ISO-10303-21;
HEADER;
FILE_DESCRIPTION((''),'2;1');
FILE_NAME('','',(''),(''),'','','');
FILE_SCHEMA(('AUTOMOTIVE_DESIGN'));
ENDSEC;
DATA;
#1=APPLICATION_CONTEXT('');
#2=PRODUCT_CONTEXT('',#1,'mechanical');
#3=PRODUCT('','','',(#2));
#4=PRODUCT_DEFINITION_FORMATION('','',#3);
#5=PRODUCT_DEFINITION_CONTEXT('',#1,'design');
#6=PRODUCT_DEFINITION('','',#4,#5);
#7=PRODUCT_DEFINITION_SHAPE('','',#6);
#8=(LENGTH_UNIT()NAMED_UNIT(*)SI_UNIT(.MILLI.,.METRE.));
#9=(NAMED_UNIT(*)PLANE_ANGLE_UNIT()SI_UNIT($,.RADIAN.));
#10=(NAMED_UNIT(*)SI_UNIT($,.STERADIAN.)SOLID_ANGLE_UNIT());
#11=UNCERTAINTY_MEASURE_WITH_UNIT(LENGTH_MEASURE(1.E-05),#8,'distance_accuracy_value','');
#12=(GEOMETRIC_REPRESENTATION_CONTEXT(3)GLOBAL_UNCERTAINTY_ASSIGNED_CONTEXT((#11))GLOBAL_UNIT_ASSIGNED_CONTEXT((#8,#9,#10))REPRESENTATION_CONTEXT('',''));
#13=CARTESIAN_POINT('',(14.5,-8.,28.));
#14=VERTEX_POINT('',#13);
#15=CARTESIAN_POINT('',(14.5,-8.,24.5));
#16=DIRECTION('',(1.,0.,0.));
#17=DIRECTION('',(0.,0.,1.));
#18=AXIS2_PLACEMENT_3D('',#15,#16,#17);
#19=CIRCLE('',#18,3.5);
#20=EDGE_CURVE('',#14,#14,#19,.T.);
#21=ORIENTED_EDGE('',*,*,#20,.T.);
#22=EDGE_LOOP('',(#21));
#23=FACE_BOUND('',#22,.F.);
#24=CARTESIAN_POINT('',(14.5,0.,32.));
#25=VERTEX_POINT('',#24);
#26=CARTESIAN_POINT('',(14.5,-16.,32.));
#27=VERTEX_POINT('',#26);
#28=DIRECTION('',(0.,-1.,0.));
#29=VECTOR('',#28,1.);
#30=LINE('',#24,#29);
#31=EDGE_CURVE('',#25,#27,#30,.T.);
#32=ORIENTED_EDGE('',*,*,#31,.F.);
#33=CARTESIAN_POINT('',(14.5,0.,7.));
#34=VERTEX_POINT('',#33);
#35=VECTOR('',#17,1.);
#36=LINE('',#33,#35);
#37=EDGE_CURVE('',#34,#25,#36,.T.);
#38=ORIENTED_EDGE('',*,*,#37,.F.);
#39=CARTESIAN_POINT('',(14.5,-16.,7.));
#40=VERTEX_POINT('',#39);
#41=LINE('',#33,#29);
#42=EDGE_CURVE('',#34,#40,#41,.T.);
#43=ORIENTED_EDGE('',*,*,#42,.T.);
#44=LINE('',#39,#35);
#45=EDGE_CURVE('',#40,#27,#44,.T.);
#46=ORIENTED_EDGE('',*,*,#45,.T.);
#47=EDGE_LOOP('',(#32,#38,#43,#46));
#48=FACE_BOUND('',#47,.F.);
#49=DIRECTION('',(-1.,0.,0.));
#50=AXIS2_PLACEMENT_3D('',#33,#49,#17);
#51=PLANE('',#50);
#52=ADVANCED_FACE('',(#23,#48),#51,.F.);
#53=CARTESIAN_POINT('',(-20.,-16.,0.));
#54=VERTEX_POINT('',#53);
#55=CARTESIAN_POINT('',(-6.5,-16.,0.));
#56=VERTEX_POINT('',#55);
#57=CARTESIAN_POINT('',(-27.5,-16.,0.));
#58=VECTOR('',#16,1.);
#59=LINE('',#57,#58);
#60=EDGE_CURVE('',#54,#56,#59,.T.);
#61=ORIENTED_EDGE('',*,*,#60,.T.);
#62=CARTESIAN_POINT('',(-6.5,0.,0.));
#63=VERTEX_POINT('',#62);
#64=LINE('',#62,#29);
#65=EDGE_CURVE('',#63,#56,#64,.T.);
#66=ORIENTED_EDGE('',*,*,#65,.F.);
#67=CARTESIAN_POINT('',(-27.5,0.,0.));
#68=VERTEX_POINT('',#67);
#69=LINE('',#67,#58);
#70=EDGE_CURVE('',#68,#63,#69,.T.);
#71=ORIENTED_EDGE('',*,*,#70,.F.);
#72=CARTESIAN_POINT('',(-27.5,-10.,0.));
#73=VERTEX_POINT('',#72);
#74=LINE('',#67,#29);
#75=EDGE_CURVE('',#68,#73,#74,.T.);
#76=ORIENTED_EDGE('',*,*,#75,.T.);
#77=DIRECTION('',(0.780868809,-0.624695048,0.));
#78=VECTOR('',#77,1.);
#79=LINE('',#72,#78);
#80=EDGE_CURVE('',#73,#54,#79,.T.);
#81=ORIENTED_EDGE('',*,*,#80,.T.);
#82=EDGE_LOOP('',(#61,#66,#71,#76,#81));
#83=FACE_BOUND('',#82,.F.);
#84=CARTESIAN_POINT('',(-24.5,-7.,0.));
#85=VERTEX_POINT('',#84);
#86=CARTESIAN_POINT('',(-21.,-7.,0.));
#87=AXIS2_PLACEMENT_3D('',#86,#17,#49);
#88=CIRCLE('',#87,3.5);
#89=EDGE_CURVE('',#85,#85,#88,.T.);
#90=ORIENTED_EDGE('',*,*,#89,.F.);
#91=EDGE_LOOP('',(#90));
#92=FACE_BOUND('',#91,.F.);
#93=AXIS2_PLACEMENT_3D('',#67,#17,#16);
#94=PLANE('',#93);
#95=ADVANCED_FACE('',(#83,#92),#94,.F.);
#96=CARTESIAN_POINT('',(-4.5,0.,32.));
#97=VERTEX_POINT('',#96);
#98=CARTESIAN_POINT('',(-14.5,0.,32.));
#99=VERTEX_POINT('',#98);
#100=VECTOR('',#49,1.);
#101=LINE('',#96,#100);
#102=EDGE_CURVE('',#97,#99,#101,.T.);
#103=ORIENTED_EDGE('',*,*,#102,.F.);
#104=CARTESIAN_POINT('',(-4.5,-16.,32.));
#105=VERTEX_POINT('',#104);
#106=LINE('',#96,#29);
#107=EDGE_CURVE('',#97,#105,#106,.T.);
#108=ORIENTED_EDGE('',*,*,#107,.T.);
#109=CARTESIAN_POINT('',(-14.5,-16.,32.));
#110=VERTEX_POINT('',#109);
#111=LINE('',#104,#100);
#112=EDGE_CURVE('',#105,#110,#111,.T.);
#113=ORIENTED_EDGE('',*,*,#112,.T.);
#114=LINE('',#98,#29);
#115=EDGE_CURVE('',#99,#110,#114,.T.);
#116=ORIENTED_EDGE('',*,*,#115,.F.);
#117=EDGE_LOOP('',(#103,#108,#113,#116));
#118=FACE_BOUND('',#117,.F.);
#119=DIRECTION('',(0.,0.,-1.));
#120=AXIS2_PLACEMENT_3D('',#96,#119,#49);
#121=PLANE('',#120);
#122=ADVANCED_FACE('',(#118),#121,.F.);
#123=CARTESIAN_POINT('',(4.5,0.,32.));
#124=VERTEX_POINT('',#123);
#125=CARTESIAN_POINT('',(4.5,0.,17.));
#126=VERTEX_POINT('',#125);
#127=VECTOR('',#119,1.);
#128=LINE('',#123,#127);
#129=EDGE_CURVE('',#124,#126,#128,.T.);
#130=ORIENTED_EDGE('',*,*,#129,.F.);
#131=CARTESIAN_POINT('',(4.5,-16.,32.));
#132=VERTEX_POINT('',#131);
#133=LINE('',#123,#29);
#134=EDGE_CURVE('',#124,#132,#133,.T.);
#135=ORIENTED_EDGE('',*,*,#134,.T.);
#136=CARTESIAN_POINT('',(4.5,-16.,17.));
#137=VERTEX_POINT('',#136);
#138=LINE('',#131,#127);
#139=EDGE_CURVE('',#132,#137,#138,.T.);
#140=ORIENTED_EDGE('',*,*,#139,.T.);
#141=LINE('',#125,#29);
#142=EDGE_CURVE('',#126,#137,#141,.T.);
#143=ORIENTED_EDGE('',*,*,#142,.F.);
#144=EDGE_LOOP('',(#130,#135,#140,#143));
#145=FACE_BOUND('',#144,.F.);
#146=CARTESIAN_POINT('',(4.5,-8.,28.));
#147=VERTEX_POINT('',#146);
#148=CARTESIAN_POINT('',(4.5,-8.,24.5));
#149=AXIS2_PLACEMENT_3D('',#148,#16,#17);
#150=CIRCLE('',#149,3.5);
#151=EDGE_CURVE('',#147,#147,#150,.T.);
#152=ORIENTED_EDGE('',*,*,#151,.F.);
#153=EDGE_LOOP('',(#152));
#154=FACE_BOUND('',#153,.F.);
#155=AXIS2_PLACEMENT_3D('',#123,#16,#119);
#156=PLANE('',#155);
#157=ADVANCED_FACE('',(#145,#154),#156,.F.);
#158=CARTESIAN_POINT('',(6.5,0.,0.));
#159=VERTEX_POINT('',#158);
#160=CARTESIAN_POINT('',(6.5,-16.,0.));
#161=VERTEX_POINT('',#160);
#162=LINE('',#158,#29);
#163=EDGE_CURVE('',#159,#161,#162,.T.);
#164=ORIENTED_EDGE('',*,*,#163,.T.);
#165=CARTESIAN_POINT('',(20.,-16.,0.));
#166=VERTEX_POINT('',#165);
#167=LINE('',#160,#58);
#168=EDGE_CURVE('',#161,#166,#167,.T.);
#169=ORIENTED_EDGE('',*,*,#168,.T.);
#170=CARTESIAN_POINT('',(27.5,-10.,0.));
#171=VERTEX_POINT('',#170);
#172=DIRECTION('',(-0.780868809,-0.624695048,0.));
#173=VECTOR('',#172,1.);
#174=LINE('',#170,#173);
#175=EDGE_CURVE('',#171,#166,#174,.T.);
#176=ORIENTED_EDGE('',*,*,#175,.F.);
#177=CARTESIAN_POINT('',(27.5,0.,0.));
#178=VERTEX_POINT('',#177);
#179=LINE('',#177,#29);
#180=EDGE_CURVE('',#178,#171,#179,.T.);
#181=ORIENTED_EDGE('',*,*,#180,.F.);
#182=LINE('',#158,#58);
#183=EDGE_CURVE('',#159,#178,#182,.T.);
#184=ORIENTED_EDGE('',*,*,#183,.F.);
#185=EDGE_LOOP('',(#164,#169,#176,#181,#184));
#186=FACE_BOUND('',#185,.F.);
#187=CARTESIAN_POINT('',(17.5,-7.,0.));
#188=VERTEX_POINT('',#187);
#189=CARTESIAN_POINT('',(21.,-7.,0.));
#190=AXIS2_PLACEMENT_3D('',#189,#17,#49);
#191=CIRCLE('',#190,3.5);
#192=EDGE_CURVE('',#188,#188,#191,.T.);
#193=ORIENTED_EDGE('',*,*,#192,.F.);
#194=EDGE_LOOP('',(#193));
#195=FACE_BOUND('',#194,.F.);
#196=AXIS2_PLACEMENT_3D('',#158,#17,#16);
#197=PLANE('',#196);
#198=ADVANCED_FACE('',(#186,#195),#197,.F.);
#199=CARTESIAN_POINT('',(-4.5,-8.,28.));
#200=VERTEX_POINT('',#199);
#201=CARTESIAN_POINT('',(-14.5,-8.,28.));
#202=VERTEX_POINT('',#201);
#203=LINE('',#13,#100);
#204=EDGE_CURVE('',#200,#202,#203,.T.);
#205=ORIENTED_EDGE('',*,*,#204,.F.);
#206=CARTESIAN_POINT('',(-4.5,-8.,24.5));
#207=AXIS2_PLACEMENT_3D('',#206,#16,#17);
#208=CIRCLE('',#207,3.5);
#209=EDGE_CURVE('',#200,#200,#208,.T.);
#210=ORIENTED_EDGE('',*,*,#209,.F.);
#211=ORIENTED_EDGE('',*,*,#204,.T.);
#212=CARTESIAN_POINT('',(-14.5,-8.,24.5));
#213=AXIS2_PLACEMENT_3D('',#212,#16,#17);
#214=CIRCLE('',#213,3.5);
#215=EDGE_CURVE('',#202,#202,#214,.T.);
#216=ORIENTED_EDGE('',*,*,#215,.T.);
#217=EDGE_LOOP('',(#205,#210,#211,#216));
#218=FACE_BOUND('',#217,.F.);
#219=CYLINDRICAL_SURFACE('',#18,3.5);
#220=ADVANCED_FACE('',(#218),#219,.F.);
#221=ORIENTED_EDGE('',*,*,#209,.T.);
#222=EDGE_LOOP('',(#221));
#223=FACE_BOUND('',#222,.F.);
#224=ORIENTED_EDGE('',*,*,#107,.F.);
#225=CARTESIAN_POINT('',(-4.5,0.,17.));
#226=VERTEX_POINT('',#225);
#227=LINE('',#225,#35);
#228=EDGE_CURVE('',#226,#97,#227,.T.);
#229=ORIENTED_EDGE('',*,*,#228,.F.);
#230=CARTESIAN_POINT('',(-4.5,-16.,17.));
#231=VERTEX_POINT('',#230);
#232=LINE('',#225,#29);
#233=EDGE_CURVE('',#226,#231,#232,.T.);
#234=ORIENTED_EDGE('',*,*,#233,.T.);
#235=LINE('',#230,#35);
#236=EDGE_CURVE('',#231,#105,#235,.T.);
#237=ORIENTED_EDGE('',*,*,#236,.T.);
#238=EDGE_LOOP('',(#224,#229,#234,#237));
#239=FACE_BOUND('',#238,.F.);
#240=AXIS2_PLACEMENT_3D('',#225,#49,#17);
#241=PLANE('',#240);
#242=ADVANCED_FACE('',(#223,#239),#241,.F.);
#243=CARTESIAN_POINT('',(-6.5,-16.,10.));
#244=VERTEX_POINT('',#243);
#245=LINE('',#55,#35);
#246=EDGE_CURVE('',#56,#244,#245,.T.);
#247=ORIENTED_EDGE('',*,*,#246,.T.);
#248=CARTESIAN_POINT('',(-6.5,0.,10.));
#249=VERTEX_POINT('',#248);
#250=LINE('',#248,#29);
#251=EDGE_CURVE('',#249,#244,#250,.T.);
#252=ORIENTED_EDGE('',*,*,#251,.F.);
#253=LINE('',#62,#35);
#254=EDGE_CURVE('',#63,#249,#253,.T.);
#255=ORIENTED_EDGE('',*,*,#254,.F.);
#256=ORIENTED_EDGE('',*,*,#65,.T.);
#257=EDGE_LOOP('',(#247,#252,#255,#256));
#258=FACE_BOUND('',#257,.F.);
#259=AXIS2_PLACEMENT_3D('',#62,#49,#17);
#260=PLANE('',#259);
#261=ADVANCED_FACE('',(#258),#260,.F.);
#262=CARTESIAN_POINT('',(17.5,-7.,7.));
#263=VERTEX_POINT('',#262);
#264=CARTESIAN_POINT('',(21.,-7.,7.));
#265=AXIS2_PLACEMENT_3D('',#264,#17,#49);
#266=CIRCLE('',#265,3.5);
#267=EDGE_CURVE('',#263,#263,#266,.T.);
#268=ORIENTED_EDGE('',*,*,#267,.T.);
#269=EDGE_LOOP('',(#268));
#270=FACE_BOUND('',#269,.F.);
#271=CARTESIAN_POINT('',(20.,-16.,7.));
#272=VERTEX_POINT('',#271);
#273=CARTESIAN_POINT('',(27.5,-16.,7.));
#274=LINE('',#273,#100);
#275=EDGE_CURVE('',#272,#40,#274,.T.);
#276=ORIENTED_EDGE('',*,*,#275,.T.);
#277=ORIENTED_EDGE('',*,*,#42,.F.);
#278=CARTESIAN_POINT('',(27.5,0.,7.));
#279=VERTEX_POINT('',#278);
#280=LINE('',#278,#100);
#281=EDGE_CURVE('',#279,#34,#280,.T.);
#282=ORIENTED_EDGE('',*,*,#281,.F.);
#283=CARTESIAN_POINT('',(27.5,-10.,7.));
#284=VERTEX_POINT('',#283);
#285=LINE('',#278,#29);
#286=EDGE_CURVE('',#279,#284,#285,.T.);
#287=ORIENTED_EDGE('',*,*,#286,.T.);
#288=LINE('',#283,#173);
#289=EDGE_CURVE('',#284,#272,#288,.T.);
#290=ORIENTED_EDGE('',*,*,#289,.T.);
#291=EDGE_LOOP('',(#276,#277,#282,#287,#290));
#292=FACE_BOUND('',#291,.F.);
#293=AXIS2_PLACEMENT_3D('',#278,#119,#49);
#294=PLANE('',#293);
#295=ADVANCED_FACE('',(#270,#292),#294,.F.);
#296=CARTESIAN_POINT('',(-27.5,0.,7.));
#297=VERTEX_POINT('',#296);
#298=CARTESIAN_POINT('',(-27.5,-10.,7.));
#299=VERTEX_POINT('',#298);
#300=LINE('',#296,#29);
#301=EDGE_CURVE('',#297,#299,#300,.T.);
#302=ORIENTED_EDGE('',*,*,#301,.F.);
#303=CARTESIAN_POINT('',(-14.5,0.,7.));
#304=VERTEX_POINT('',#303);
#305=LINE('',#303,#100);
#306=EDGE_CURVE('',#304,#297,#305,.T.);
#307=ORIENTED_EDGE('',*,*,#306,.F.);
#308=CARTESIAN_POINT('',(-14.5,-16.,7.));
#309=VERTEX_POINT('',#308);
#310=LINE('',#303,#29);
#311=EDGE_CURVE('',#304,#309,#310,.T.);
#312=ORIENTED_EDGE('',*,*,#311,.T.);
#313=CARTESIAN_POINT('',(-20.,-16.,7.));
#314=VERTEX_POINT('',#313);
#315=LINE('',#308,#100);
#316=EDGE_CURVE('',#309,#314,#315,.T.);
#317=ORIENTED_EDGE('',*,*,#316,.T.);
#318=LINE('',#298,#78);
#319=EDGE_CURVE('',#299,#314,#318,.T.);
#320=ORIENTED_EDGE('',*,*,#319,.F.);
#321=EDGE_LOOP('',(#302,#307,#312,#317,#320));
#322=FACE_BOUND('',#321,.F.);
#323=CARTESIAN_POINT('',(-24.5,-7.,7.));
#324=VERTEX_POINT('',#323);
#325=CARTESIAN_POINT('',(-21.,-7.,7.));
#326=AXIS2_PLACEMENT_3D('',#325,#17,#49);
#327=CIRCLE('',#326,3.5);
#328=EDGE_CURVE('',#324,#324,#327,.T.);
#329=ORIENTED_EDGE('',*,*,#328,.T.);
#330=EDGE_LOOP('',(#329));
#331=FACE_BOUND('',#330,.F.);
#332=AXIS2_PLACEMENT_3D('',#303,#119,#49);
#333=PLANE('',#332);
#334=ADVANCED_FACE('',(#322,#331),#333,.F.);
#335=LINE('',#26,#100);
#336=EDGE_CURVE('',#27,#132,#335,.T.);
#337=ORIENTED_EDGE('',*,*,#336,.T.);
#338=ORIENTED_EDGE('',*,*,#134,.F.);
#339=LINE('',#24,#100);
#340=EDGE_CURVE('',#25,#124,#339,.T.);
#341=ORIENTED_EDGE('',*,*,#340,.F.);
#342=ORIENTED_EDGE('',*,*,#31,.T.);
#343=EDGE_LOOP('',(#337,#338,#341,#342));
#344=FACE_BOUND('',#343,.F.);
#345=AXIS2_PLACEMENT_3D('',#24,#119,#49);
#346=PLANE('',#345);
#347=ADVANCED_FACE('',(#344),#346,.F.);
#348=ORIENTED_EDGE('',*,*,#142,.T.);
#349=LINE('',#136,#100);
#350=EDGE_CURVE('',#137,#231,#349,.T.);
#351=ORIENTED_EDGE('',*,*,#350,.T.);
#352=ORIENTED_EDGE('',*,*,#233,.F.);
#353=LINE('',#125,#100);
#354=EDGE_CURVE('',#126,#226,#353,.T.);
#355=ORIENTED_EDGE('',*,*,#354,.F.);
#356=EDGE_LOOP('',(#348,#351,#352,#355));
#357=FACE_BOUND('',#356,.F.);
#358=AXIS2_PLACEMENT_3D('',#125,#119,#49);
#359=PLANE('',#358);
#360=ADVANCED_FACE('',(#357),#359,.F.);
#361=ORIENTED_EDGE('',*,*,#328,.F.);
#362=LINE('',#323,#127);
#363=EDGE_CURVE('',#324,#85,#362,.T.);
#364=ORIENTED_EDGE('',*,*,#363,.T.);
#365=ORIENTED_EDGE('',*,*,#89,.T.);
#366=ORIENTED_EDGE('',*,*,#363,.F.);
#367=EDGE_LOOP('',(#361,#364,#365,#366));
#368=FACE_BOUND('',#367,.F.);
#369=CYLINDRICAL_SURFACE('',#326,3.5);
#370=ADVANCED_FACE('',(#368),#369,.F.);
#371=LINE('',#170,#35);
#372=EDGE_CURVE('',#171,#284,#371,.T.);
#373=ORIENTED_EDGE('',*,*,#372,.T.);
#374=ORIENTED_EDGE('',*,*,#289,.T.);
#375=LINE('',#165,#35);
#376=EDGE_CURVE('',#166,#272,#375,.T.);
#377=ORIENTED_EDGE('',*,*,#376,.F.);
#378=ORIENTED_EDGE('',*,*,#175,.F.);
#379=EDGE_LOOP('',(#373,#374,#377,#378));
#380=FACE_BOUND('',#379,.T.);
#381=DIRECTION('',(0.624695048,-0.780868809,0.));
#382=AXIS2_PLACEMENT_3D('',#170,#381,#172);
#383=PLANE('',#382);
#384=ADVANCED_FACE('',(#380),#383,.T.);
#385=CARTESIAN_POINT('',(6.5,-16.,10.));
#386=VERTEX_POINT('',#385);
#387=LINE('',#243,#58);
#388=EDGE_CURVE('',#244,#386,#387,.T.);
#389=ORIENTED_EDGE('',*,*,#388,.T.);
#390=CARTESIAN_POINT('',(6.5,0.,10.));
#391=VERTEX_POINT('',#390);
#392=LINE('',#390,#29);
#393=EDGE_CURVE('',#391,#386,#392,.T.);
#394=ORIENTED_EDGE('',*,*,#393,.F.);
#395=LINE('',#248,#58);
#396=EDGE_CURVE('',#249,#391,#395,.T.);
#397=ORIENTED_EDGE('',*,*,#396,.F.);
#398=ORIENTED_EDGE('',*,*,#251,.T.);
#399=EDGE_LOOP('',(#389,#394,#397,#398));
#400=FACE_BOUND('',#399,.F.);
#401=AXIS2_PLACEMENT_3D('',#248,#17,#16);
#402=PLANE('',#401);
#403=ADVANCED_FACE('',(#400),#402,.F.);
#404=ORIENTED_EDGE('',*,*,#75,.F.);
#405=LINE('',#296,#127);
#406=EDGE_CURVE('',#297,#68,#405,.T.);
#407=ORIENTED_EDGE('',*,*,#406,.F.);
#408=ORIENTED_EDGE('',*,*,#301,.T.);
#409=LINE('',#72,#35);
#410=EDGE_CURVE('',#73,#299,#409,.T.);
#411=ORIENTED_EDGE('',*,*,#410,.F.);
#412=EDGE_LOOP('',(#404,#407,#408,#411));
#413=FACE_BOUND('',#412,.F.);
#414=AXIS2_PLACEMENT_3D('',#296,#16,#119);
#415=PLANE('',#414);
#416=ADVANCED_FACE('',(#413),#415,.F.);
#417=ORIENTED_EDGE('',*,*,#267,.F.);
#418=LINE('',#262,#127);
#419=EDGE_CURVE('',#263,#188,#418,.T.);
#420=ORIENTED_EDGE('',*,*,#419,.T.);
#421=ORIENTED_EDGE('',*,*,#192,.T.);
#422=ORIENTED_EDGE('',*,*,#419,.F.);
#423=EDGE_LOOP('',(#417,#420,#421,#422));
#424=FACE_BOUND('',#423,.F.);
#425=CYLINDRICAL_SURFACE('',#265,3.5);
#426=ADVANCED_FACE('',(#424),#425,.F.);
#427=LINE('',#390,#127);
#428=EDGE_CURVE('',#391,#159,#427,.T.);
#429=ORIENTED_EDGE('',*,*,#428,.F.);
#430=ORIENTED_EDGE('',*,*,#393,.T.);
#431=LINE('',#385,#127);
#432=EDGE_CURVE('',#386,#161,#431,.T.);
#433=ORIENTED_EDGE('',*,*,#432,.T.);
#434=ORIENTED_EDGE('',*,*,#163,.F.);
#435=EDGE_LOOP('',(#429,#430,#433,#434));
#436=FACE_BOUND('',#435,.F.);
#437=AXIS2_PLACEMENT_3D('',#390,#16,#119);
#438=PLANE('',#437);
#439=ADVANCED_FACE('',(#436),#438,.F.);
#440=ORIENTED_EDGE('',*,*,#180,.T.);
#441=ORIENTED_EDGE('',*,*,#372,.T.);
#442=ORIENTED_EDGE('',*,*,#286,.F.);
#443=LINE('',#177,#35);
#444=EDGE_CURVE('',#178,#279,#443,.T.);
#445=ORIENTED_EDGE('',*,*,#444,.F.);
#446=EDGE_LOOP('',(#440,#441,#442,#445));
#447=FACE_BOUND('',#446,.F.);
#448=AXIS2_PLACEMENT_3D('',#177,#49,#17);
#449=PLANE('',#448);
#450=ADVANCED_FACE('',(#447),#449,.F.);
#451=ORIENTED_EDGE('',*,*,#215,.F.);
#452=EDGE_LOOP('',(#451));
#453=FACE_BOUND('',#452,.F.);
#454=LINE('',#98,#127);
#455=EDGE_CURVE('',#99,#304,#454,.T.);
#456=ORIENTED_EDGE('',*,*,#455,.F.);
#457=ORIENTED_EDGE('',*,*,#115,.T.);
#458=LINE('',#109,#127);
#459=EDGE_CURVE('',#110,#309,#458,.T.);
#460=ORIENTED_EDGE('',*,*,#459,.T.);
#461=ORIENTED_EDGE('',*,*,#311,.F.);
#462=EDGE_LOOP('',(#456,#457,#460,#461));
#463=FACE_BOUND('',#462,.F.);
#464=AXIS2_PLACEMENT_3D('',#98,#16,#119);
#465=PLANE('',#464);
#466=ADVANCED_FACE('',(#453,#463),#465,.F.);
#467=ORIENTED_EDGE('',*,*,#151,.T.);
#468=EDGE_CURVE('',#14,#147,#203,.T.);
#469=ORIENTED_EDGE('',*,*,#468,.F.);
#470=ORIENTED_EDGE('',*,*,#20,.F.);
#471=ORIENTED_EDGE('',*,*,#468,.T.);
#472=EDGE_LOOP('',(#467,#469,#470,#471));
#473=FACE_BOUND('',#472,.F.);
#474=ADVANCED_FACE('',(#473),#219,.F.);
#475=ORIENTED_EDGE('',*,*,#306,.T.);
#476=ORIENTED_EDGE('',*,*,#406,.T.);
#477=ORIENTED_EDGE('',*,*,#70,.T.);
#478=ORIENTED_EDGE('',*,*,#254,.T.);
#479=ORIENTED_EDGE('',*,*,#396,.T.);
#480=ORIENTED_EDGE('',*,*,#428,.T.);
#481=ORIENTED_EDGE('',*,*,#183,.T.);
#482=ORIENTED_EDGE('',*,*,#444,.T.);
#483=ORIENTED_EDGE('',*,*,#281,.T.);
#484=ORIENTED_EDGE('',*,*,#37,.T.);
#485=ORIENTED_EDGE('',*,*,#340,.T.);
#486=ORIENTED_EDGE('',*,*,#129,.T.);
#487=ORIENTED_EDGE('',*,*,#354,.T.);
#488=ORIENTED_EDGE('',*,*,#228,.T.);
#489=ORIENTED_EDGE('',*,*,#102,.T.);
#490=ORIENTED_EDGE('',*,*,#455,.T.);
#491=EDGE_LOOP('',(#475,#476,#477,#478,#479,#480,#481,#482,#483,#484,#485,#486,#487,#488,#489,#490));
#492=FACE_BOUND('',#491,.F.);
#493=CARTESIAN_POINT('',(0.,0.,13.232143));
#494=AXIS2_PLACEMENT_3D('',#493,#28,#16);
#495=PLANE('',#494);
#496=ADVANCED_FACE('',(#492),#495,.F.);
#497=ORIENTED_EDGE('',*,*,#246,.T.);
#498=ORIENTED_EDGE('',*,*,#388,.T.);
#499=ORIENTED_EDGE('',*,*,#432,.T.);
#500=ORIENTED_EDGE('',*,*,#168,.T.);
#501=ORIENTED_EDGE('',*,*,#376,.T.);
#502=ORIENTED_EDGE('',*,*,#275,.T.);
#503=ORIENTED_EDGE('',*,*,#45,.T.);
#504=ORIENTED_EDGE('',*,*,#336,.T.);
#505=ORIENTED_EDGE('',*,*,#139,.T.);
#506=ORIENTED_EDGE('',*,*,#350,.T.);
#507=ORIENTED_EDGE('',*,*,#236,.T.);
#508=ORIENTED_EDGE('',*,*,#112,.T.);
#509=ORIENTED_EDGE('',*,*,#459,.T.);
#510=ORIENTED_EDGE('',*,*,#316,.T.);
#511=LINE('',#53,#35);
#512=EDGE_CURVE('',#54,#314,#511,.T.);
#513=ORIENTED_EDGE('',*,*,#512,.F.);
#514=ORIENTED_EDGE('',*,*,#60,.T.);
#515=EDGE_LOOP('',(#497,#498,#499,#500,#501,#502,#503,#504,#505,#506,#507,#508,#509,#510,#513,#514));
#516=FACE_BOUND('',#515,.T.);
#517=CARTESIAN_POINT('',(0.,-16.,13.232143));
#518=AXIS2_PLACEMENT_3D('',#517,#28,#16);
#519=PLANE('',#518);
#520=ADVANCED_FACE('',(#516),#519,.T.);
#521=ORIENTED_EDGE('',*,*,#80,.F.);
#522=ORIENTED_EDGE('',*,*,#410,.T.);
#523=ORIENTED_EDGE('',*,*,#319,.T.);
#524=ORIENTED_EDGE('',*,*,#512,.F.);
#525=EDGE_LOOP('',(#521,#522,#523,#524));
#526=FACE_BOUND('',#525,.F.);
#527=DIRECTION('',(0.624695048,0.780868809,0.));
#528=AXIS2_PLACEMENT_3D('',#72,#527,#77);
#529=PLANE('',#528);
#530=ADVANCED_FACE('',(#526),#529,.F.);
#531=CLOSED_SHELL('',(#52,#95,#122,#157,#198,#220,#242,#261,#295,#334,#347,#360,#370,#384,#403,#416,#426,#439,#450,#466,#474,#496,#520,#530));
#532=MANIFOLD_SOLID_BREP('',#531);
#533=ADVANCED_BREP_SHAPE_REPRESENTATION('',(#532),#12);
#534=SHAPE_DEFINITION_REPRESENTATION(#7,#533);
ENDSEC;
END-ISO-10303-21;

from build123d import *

# Parameters (mm, degrees)
PAD_DEPTH       = 16
POCKET_DEPTH    = 7
SKETCH002_R     = 3.5
POCKET001_DEPTH = 42.001
SKETCH003_R     = 3.5
POCKET002_DEPTH = 7


with BuildPart() as part:
    # Sketch → Pad (new body)
    with BuildSketch(Plane.XZ):
        Polygon((-27.5, 7), (-27.5, 0), (-6.5, 0), (-6.5, 10), (6.5, 10), (6.5, 0), (27.5, 0), (27.5, 7), (14.5, 7), (14.5, 32), (4.5, 32), (4.5, 17), (-4.5, 17), (-4.5, 32), (-14.5, 32), (-14.5, 7), align=None)
    extrude(amount=PAD_DEPTH)

    # Sketch001 (on Face6 of Pad) → Pocket (cut)
    with BuildSketch(Plane(origin=(0, 0, 0), x_dir=(1, 0, 0), z_dir=(0, 0, -1))):
        Polygon((-27.5, 16), (-27.5, 10), (-20, 16), align=None)
        Polygon((20, 16), (27.5, 16), (27.5, 10), align=None)
    extrude(amount=-POCKET_DEPTH, mode=Mode.SUBTRACT)

    # Sketch002 (on Face12 of Pocket) → Pocket001 (cut, through all)
    with BuildSketch(Plane(origin=(14.5, 0, 0), x_dir=(0, 0, 1), z_dir=(1, 0, 0))):
        with Locations((24.5, 8)):
            Circle(SKETCH002_R)
    extrude(amount=-POCKET001_DEPTH, mode=Mode.SUBTRACT)

    # Sketch003 (on Face11 of Pocket001) → Pocket002 (cut)
    with BuildSketch(Plane(origin=(0, 0, 7), x_dir=(-1, 0, 0), z_dir=(0, 0, 1))):
        with Locations((21, 7)):
            Circle(SKETCH003_R)
        with Locations((-21, 7)):
            Circle(SKETCH003_R)
    extrude(amount=-POCKET002_DEPTH, mode=Mode.SUBTRACT)


solid = part.part
